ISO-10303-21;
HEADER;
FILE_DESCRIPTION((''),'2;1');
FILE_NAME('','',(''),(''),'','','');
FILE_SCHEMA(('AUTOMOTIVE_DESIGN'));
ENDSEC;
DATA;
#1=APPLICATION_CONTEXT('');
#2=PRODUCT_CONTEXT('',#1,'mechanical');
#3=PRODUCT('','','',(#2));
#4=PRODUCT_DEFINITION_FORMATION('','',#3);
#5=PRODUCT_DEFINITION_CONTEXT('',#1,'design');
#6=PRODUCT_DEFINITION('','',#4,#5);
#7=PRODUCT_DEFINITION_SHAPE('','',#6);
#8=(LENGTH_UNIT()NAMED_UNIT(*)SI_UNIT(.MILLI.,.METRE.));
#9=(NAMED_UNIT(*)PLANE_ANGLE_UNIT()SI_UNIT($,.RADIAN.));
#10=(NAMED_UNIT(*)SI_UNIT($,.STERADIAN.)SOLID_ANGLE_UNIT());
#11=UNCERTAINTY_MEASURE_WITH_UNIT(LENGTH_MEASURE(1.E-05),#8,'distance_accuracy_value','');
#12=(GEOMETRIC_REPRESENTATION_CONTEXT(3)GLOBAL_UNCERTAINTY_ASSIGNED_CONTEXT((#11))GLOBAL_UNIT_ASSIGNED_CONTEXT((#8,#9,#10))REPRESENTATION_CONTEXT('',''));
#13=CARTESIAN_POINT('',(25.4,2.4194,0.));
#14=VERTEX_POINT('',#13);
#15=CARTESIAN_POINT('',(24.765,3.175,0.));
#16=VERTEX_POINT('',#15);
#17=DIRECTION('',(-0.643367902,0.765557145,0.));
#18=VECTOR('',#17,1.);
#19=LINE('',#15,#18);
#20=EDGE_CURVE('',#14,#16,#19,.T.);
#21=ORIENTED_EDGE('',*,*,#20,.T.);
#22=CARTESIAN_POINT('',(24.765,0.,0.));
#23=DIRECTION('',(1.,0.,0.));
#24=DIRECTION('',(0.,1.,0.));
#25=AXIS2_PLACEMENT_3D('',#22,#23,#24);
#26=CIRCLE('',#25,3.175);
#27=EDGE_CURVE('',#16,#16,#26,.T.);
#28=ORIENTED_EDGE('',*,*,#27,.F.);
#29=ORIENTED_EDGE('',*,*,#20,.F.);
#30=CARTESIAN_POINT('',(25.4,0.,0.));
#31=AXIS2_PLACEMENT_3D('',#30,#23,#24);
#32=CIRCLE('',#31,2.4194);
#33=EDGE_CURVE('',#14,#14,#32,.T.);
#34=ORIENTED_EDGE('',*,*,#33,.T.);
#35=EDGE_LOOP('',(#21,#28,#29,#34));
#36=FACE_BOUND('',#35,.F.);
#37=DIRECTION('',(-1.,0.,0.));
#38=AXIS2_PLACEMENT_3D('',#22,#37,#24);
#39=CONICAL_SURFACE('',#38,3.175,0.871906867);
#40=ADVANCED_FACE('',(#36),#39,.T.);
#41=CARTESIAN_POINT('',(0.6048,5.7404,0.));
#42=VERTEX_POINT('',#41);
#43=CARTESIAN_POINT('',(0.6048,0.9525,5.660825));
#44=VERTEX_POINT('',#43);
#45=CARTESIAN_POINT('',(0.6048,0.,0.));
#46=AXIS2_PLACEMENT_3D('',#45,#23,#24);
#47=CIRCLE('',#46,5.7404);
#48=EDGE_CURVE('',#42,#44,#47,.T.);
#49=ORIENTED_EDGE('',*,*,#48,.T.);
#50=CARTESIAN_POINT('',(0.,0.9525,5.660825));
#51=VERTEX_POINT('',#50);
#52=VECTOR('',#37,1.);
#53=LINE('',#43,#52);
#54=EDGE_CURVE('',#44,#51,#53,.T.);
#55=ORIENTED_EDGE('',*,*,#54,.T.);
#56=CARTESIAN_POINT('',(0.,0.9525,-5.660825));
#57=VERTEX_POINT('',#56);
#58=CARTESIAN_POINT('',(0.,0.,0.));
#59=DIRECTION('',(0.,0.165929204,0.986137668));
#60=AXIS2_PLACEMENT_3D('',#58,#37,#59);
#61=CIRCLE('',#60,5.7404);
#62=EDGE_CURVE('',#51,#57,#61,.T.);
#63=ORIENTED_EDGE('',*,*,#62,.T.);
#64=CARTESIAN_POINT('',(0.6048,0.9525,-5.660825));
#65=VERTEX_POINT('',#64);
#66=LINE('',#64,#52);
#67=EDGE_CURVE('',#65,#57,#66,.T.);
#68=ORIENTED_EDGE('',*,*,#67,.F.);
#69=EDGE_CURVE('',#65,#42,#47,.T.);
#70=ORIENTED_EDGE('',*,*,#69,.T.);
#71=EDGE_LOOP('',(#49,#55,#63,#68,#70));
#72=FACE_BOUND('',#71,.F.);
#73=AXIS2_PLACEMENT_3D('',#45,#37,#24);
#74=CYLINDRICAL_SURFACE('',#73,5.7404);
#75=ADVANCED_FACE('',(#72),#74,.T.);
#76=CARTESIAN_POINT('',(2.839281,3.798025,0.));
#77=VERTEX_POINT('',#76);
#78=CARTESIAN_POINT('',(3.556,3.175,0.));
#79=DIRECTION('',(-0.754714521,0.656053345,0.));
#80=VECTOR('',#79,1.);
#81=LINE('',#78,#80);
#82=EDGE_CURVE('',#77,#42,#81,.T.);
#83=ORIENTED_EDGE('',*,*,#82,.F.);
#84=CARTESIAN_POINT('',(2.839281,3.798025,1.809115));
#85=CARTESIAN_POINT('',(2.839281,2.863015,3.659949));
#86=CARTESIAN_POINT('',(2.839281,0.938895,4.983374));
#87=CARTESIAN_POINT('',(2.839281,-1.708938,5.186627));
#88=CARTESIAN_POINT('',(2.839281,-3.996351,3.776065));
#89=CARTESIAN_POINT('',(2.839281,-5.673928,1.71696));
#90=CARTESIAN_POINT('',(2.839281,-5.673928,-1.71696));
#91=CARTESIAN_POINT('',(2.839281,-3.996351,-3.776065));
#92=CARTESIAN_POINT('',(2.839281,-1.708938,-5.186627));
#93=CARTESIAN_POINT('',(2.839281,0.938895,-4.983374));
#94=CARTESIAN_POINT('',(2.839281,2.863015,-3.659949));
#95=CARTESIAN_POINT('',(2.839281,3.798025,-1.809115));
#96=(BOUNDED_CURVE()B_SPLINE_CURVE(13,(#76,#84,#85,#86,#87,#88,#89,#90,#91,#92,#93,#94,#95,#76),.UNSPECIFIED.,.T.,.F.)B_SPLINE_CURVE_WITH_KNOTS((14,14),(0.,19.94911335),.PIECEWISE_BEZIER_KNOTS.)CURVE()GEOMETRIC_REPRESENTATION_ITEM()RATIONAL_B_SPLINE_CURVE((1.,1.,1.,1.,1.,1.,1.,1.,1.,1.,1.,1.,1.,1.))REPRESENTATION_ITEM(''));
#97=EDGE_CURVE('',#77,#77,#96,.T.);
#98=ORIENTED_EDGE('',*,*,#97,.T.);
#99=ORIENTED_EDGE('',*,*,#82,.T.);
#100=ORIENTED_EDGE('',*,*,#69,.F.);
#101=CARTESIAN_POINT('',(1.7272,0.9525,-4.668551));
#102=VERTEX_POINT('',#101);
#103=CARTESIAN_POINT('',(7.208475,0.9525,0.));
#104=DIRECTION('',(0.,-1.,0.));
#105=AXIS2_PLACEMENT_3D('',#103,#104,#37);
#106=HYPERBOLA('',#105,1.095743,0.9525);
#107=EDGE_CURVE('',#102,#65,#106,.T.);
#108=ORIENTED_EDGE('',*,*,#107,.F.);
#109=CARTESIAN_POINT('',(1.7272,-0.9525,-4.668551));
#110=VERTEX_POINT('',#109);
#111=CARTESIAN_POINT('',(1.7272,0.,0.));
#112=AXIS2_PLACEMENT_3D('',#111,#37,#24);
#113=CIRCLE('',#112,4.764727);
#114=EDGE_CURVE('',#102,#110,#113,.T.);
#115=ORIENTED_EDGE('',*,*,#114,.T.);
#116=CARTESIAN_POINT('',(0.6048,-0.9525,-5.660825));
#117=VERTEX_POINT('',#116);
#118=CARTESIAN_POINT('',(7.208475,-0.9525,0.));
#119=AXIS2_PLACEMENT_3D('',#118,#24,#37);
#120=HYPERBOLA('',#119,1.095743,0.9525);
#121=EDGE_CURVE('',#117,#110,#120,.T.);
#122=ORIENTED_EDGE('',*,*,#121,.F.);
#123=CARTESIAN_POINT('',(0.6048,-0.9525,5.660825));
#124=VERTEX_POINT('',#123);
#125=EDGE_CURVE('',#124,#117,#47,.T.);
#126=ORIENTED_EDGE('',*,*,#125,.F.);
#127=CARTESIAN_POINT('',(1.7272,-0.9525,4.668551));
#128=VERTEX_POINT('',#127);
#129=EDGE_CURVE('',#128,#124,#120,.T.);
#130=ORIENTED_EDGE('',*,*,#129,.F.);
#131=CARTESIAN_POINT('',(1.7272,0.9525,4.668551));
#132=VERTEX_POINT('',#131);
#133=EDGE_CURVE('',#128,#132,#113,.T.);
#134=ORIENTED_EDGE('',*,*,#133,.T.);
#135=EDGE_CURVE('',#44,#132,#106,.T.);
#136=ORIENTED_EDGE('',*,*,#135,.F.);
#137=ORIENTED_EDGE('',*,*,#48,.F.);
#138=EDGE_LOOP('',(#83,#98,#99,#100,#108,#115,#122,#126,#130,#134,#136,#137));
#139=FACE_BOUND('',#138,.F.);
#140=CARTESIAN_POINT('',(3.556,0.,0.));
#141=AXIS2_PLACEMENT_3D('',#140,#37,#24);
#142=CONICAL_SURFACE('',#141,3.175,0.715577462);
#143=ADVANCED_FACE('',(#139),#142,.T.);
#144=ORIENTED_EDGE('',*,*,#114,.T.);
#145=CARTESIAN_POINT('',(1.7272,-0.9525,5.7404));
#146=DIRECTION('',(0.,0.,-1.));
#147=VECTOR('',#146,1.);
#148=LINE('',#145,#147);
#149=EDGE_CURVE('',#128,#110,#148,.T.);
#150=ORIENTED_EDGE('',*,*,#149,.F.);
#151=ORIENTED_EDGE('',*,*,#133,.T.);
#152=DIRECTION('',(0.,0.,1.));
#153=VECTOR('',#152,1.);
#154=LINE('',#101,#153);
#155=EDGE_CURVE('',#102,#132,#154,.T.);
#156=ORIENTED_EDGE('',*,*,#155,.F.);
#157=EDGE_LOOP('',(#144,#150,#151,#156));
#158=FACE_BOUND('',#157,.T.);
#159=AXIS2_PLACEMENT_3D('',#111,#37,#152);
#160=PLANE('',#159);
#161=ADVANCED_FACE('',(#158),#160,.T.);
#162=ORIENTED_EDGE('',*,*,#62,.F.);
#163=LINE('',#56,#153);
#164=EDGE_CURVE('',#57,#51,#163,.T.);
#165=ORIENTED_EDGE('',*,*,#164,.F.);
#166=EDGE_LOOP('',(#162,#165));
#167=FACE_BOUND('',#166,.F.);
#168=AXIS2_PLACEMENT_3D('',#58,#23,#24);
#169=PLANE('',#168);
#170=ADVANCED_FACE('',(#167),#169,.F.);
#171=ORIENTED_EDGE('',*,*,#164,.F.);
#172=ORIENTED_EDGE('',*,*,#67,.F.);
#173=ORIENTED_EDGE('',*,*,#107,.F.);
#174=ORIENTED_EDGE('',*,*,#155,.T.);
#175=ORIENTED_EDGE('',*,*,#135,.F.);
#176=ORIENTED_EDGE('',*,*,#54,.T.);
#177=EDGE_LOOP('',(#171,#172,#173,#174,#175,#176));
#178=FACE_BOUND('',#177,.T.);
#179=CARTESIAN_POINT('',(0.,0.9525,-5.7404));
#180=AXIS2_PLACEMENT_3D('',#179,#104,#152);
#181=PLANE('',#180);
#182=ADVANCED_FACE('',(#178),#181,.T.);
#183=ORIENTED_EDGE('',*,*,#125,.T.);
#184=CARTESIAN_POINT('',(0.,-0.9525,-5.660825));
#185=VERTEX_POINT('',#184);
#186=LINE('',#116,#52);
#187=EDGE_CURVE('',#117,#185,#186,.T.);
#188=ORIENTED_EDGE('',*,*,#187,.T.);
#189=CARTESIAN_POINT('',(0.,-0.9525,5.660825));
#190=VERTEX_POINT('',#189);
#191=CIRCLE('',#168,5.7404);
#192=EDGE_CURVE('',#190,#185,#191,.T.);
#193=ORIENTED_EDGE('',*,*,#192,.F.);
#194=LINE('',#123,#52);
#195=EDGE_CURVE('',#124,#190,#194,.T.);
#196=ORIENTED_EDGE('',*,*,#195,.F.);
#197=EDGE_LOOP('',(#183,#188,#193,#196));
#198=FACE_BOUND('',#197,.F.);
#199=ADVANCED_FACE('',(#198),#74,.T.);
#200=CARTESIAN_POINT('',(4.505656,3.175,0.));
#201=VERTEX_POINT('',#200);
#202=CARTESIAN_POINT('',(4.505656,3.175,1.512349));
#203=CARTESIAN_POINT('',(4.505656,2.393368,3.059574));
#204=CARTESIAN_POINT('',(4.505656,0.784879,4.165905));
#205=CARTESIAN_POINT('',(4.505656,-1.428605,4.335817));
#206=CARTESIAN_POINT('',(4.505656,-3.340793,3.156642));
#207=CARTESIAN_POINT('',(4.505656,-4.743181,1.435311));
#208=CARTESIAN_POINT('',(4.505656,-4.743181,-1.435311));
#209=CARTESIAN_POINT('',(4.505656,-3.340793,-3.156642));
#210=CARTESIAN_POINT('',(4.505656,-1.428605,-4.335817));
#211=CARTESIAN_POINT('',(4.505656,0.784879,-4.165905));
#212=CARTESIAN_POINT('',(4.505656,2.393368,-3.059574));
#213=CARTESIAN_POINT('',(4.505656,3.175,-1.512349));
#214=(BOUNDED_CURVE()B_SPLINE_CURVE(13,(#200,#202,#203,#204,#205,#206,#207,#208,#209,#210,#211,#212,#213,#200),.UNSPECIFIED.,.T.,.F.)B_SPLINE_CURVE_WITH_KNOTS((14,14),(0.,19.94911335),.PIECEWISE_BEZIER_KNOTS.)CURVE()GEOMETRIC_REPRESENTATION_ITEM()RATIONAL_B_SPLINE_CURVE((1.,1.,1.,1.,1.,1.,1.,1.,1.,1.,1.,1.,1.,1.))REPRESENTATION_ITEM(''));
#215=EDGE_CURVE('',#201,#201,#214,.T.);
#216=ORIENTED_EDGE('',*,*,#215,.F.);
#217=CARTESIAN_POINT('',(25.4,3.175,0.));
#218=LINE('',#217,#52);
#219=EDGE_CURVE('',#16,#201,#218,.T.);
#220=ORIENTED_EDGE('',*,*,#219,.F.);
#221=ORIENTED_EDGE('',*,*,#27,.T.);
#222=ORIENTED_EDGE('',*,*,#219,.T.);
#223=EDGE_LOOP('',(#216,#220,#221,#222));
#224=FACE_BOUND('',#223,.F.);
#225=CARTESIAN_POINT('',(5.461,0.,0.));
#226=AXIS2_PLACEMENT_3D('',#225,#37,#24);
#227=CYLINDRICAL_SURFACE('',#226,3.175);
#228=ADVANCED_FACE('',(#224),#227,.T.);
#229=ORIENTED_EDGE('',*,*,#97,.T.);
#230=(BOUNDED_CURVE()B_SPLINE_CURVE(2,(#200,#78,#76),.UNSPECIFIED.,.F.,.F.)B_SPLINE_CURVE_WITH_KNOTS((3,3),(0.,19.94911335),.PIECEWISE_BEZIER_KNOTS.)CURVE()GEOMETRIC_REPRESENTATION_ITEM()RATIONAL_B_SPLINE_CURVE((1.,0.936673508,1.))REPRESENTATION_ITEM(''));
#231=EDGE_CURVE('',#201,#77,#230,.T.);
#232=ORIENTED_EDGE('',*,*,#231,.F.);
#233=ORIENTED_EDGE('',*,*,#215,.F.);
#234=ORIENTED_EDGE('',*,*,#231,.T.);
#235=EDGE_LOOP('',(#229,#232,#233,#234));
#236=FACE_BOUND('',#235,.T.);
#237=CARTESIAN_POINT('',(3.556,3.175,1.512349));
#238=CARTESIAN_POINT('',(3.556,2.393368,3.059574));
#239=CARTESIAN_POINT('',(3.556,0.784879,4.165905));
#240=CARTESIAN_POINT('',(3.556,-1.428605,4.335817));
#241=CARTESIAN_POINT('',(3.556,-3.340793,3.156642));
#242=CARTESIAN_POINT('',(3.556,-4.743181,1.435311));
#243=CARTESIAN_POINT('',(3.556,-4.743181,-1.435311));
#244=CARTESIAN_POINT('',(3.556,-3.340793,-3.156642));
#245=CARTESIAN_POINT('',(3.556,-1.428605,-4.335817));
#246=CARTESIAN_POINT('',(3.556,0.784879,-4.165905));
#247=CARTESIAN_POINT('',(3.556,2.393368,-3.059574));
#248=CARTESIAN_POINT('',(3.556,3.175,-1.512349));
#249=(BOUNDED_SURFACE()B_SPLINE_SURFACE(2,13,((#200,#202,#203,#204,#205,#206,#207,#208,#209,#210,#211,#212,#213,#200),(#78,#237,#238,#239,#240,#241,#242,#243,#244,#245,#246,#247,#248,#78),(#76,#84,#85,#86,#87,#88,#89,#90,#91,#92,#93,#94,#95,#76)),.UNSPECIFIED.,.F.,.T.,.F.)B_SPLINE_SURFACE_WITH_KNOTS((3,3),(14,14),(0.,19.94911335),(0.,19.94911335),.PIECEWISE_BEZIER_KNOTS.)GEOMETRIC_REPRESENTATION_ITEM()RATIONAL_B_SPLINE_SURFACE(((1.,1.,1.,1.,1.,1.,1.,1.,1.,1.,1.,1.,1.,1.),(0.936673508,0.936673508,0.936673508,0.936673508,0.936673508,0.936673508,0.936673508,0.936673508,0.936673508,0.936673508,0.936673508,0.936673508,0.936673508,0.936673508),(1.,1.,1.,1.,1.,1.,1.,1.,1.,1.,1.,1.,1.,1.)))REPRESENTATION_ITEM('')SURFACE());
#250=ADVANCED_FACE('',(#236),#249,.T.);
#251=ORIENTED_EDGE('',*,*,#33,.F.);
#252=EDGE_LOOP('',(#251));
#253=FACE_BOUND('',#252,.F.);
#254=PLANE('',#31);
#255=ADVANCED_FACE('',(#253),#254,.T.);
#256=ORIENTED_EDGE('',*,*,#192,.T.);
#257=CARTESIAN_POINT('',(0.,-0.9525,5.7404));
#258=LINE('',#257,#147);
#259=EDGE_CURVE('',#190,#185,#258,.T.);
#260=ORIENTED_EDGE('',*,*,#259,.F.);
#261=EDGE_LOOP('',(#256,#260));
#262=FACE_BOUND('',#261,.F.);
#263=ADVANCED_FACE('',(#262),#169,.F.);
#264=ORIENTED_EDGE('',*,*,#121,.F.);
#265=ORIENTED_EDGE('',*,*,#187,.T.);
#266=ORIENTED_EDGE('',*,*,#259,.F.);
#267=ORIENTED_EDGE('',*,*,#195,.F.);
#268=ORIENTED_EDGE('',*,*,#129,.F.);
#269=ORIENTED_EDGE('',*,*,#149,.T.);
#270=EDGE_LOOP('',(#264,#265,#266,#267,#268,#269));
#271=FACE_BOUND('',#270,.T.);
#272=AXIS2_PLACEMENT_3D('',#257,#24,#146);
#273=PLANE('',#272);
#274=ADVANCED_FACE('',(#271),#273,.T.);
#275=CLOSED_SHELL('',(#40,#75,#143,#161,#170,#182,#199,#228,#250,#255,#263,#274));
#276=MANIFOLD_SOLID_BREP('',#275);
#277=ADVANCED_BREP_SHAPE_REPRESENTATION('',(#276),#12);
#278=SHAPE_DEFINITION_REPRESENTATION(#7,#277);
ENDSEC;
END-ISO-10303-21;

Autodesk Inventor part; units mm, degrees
ref_plane "YZ Plane" through (0, 0, 0) normal (1, 0, 0) x (0, 1, 0)
ref_plane "XZ Plane" through (0, 0, 0) normal (0, 1, 0) x (-1, 0, 0)
sketch "Sketch1" plane through (0, 0, 0) normal (0, 0, 1) x (1, 0, 0)
  line L0 (0, 0) -> (25.4, 0)
  line L1 (25.4, 0) -> (25.4, 3.175)
  line L2 (25.4, 3.175) -> (6.731, 3.175)
  line L3 (6.731, 3.175) -> (5.461, 3.175)
  line L4 (5.461, 3.175) -> (3.556, 3.175)
  line L5 (3.556, 3.175) -> (0.6048, 5.7404)
  line L6 (0.6048, 5.7404) -> (0, 5.7404)
  line L7 (0, 5.7404) -> (0, 0)
  line L8 (6.731, 3.175) -> (3.556, 3.175) construction
  line L9 (-5.08, 0) -> (30.48, 0) projected
  line L10 (0, 6.8885) -> (0, -1.1481) projected
  dimension "d0" = 25.4
  dimension "d1" = 41
  dimension "d2" = 1.27
  dimension "d3" = 18.669
  dimension "d4" = 3.556
  dimension "d5" = 6.35
  dimension "d6" = 6.35
  dimension "d7" = 11.4808
revolve "Body" add sketch "Sketch1" angle 360 about axis through (0, 0, 0) along (1, 0, 0)
sketch "Sketch2" plane through (0, 0, 0) normal (-1, 0, 0) x (0, 0, 1)
  line L0 (5.7404, -0.9525) -> (-5.7404, -0.9525)
  line L1 (-5.7404, -0.9525) -> (-5.7404, 0.9525)
  line L2 (-5.7404, 0.9525) -> (5.7404, 0.9525)
  line L3 (5.7404, 0.9525) -> (5.7404, -0.9525)
  line L4 (0, 0.9525) -> (0, -0.9525) construction
  line L5 (-5.7404, 0) -> (5.7404, 0) construction
  line L6 (0, 5.7404) -> (0, 0) projected
  dimension "d15" = 1.905
  dimension "d16" = 11.4808
extrude "Slot" cut sketch "Sketch2" against normal blind 1.7272
thread "Thread" size "1/4-20 UNC" class "2A" standard "ANSI Unified Screw Threads" length 18.669
chamfer "Chamfer1" distance 0.7556 distance2 0.635 1 edges at (25.4, -3.175, 0) measured on face at (25.4, 0.7614, 0.4485)
fillet "Radius" radius 2.54 1 edges at (3.556, -3.175, 0)
ref_plane "Work Plane1" through (33.575, 0, 0) normal (0, 0, -1) x (1, 0, 0)
equation "\"d0\" = NLG"
equation "\"d1\" = 0.5 * SEWI"
equation "\"d2\" = GAL"
equation "\"d3\" = GEL"
equation "\"d4\" = KOH"
equation "\"d5\" = BDM"
equation "\"d6\" = GD"
equation "\"d7\" = KOD"
equation "\"d15\" = SBR"
equation "\"d16\" = KOD"
equation "\"d8\" = STI"
equation "\"d41\" = RR"
equation "\"d10\" = GEL"
equation "\"d12\" = -0.5 * SPD + 0.5 * GD"
equation "\"d13\" = 0.5 * GAL"
equation "\"NLG\" = 25.4"
equation "\"GAL\" = 1.27"
equation "\"GEL\" = 18.669"
equation "\"KOH\" = 3.556"
equation "\"KOD\" = 11.4808"
equation "\"SEWI\" = 82deg"
equation "\"BDM\" = NND"
equation "\"GD\" = NND"
equation "\"SBR\" = 1.905"
equation "\"STI\" = 1.7272"
equation "\"SPD\" = 4.8387"
equation "\"RR\" = 2.54"
equation "\"GUL\" = 0.75565"
equation "\"TOA\" = 30deg"
equation "\"THREADDIA\" = 6.35"
equation "\"HHPTC\" = 1.27"
equation "\"NND\" = 6.35"
equation "\"GD1\" = SPD"
properties part number "ANSI B18.6.2 - 1/4-20 UNC x 1, SFCHCSI" material "Steel, Mild"
